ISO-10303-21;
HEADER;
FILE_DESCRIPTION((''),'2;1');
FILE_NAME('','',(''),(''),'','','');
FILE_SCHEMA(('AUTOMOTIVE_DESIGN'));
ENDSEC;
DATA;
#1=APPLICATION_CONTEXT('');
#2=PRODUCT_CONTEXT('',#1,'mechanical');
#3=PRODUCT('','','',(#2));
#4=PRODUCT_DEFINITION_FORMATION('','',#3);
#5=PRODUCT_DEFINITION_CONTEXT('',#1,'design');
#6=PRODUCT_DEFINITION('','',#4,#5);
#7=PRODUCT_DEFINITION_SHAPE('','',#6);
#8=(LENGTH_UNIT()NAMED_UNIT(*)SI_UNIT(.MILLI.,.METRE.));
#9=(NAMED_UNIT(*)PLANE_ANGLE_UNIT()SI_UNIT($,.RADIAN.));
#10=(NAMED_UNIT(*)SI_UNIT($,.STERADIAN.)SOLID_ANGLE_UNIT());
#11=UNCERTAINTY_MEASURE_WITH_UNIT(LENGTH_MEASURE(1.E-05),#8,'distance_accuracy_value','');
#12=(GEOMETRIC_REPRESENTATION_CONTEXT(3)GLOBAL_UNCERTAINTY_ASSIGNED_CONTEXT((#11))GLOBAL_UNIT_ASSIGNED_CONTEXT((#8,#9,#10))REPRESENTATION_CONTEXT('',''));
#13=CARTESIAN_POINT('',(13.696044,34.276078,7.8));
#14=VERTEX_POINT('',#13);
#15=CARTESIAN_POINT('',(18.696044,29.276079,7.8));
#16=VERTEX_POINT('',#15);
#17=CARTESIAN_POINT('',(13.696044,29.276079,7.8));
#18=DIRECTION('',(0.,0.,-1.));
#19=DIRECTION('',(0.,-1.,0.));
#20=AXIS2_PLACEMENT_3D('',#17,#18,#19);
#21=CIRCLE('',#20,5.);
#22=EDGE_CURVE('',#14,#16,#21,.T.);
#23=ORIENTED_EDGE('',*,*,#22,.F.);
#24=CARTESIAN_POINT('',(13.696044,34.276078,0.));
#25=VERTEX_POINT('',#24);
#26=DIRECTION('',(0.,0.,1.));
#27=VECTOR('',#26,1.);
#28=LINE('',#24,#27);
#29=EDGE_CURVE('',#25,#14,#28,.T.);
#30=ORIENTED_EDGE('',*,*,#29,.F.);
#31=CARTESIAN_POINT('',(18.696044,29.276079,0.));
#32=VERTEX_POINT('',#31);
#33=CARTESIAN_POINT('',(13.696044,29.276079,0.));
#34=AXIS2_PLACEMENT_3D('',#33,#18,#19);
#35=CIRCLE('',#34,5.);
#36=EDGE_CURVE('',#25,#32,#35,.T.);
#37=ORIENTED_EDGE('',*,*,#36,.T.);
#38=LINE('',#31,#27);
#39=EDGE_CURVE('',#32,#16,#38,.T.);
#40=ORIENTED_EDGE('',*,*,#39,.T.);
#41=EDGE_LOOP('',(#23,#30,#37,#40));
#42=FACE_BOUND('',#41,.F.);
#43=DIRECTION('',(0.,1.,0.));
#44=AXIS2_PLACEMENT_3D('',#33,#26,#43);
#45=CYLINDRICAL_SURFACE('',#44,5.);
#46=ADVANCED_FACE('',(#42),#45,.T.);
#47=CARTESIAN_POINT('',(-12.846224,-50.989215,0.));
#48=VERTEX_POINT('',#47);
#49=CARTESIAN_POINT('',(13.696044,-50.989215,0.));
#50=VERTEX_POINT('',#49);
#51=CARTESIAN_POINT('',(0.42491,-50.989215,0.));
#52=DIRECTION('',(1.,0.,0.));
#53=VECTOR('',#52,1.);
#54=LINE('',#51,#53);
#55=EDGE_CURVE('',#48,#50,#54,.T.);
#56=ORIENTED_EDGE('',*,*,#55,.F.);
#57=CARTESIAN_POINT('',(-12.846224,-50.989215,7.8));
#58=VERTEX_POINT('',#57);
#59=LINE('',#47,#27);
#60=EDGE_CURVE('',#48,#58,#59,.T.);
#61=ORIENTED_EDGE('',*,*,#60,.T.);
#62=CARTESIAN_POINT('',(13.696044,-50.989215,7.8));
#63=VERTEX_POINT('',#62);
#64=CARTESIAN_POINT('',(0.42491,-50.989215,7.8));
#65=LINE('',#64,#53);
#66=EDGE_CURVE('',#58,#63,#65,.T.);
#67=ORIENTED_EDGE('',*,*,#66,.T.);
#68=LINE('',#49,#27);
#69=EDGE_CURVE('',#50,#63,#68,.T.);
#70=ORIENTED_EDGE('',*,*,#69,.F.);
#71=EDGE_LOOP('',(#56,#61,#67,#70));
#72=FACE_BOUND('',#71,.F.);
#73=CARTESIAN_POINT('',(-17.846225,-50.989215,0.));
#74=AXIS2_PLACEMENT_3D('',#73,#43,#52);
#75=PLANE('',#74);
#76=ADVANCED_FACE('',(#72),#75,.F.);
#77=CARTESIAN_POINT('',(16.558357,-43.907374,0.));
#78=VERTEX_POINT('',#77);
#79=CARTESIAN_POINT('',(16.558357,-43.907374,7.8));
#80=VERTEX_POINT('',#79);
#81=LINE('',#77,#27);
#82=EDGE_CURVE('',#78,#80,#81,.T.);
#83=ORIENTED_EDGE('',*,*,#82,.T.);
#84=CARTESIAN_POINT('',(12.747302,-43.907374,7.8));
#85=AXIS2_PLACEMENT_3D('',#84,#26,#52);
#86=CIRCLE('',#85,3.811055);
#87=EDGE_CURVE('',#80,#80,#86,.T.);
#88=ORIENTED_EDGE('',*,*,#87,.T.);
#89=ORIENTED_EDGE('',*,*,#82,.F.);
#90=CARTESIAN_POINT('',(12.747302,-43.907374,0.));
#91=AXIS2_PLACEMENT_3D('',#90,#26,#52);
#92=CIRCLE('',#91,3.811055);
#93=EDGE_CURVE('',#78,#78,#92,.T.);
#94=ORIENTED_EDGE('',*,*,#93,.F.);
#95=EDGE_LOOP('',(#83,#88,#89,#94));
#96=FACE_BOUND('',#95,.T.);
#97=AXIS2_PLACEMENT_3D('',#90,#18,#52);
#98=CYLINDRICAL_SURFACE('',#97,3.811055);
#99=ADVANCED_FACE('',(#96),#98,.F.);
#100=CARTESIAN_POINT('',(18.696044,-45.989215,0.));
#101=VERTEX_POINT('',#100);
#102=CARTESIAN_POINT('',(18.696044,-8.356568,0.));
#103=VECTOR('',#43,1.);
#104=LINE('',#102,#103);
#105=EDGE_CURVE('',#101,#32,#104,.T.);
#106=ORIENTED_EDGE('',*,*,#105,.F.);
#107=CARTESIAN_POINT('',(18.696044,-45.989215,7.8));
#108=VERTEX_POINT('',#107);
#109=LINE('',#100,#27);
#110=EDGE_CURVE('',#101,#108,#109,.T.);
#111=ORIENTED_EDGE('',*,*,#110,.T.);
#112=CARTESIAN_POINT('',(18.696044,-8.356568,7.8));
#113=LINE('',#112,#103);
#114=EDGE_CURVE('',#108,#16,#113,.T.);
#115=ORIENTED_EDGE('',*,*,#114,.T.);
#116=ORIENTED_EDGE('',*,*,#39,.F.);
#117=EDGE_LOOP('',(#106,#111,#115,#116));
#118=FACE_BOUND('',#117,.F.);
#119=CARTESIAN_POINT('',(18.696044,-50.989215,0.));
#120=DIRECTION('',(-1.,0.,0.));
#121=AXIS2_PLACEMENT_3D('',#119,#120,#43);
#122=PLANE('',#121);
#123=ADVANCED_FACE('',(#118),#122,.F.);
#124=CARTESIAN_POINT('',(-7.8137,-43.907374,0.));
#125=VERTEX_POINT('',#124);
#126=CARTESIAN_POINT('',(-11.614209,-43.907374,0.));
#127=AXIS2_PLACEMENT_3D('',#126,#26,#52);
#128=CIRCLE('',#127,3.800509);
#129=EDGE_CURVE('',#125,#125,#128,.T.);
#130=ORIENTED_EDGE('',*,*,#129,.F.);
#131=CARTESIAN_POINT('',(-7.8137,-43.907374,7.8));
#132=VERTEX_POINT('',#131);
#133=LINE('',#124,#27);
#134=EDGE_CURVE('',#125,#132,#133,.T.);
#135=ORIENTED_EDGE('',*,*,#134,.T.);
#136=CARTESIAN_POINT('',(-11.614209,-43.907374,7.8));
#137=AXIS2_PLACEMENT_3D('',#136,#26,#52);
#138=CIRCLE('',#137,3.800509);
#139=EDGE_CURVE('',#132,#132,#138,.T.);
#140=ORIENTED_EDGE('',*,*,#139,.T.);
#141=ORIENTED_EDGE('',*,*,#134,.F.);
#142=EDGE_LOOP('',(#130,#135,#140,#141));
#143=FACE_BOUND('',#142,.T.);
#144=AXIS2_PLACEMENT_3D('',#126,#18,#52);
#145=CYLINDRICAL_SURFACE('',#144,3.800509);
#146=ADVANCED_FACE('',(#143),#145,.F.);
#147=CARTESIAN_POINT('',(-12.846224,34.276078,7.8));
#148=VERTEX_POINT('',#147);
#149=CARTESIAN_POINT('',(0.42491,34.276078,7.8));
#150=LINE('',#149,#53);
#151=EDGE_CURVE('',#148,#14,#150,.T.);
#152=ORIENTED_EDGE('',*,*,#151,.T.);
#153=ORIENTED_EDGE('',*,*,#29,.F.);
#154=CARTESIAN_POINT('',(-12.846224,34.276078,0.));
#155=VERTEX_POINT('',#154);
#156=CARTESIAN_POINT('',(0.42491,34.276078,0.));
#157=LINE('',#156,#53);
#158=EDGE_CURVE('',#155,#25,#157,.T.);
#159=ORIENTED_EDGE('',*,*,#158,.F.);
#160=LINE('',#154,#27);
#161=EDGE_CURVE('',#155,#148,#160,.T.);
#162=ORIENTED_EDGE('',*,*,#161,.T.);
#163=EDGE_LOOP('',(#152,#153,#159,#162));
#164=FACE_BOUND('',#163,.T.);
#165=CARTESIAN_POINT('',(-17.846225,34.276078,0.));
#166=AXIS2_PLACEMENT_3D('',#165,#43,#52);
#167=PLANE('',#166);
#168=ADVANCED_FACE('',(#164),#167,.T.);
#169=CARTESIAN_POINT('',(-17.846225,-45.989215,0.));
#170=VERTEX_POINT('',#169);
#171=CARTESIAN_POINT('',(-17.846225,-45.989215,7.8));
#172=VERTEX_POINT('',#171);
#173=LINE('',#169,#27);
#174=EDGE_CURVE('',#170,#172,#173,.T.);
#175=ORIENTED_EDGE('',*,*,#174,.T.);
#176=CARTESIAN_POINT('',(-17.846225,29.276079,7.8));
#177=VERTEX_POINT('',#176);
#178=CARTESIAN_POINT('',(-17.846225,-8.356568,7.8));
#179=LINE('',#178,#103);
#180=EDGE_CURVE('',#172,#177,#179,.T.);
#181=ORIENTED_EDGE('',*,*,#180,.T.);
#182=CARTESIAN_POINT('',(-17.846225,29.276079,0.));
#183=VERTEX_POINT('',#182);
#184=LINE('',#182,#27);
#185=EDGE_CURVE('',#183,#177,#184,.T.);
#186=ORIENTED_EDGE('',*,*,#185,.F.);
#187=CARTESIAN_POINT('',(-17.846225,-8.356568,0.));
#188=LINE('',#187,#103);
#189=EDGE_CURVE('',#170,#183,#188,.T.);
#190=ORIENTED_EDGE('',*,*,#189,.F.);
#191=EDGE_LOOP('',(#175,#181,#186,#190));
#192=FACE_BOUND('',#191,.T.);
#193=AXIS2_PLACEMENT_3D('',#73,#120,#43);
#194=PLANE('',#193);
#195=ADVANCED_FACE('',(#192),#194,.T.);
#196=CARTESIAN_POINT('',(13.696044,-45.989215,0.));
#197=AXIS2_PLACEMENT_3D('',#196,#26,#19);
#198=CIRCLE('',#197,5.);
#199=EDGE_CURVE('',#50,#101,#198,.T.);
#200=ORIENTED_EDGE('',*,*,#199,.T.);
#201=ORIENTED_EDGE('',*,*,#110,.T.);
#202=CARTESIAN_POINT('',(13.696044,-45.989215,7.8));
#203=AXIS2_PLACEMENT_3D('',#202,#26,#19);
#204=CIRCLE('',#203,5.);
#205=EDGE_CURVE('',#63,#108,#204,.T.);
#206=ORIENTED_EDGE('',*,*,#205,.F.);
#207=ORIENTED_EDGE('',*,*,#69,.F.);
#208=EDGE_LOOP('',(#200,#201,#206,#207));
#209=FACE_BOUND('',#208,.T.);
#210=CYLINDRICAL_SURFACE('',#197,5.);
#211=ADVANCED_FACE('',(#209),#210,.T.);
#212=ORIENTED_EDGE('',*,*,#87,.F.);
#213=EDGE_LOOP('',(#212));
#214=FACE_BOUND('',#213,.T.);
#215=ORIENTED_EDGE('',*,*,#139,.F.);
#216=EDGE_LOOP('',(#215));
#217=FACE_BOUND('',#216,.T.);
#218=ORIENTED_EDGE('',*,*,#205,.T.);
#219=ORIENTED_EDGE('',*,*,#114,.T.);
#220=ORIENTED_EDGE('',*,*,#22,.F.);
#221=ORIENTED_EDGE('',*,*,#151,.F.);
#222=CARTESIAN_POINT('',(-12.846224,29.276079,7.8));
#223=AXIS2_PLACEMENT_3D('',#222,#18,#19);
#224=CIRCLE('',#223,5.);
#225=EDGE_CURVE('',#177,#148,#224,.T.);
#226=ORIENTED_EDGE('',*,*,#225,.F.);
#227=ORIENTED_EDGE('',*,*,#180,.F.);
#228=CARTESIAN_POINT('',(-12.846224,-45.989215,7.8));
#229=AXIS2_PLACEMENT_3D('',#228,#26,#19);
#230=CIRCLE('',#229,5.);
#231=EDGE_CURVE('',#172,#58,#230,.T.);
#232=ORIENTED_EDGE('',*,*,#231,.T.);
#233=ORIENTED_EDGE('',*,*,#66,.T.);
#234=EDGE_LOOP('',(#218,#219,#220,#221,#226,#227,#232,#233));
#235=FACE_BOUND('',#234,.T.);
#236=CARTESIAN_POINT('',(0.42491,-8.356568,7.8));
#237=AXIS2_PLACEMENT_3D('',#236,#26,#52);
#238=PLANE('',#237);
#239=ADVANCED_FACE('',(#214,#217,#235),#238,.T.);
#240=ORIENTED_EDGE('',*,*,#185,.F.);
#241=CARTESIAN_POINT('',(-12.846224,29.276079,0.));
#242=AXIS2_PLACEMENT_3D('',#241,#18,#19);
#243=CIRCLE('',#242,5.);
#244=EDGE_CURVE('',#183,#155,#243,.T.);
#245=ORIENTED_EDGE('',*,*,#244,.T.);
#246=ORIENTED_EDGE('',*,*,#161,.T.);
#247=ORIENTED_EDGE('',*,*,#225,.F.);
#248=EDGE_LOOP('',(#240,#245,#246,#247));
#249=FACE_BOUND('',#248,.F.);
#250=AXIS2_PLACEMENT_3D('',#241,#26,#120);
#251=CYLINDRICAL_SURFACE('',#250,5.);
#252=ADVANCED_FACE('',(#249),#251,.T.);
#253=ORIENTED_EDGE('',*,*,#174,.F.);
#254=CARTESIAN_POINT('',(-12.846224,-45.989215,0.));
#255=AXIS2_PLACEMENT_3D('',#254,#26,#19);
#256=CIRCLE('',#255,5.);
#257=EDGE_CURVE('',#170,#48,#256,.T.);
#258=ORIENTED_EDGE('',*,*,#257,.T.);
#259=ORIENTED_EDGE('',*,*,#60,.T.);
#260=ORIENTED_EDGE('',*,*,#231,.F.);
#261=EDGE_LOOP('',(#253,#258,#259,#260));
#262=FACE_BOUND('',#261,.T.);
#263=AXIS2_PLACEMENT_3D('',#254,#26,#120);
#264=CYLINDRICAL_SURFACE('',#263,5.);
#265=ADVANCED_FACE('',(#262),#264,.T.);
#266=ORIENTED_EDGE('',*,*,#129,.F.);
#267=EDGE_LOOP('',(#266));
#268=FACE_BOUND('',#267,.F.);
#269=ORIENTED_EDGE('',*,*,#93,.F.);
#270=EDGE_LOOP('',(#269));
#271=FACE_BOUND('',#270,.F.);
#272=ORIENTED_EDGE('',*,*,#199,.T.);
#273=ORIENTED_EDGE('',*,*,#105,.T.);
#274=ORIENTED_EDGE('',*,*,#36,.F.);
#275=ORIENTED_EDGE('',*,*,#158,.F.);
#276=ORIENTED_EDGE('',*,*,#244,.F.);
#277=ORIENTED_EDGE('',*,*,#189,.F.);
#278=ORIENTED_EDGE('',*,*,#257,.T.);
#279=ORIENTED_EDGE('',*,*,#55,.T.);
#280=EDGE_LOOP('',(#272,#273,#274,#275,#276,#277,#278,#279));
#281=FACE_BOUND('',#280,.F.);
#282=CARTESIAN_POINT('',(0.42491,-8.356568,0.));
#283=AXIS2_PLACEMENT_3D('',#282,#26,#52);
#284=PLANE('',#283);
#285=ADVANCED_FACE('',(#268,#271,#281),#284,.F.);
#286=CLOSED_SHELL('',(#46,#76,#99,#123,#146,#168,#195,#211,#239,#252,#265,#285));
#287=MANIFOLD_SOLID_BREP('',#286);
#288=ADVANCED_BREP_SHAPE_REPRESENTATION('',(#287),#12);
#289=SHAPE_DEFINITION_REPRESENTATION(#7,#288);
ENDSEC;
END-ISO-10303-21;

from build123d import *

# Parameters (mm, degrees)
F0_W     = 36.542269
F0_H     = 85.265293
F0_R     = 3.800509
F0_R_2   = 3.811055
F1_DEPTH = 7.8
F2_R     = 5


with BuildPart() as f1:
    # F0 (on Top) → F1 (new body)
    with BuildSketch(Plane.XY):
        with Locations((0.42491, -8.356568)):
            Rectangle(F0_W, F0_H)
        with Locations((-11.614209, -43.907374)):
            Circle(F0_R, mode=Mode.SUBTRACT)
        with Locations((12.747302, -43.907374)):
            Circle(F0_R_2, mode=Mode.SUBTRACT)
    extrude(amount=F1_DEPTH)

    # F2
    f2_edges = [f1.edges().sort_by_distance(p)[0] for p in [
        (-17.846225, -50.989214, 3.9),
        (18.696044, -50.989214, 3.9),
        (18.696044, 34.276079, 3.9),
        (-17.846225, 34.276079, 3.9),
    ]]
    fillet(f2_edges, radius=F2_R)


solid = f1.part
